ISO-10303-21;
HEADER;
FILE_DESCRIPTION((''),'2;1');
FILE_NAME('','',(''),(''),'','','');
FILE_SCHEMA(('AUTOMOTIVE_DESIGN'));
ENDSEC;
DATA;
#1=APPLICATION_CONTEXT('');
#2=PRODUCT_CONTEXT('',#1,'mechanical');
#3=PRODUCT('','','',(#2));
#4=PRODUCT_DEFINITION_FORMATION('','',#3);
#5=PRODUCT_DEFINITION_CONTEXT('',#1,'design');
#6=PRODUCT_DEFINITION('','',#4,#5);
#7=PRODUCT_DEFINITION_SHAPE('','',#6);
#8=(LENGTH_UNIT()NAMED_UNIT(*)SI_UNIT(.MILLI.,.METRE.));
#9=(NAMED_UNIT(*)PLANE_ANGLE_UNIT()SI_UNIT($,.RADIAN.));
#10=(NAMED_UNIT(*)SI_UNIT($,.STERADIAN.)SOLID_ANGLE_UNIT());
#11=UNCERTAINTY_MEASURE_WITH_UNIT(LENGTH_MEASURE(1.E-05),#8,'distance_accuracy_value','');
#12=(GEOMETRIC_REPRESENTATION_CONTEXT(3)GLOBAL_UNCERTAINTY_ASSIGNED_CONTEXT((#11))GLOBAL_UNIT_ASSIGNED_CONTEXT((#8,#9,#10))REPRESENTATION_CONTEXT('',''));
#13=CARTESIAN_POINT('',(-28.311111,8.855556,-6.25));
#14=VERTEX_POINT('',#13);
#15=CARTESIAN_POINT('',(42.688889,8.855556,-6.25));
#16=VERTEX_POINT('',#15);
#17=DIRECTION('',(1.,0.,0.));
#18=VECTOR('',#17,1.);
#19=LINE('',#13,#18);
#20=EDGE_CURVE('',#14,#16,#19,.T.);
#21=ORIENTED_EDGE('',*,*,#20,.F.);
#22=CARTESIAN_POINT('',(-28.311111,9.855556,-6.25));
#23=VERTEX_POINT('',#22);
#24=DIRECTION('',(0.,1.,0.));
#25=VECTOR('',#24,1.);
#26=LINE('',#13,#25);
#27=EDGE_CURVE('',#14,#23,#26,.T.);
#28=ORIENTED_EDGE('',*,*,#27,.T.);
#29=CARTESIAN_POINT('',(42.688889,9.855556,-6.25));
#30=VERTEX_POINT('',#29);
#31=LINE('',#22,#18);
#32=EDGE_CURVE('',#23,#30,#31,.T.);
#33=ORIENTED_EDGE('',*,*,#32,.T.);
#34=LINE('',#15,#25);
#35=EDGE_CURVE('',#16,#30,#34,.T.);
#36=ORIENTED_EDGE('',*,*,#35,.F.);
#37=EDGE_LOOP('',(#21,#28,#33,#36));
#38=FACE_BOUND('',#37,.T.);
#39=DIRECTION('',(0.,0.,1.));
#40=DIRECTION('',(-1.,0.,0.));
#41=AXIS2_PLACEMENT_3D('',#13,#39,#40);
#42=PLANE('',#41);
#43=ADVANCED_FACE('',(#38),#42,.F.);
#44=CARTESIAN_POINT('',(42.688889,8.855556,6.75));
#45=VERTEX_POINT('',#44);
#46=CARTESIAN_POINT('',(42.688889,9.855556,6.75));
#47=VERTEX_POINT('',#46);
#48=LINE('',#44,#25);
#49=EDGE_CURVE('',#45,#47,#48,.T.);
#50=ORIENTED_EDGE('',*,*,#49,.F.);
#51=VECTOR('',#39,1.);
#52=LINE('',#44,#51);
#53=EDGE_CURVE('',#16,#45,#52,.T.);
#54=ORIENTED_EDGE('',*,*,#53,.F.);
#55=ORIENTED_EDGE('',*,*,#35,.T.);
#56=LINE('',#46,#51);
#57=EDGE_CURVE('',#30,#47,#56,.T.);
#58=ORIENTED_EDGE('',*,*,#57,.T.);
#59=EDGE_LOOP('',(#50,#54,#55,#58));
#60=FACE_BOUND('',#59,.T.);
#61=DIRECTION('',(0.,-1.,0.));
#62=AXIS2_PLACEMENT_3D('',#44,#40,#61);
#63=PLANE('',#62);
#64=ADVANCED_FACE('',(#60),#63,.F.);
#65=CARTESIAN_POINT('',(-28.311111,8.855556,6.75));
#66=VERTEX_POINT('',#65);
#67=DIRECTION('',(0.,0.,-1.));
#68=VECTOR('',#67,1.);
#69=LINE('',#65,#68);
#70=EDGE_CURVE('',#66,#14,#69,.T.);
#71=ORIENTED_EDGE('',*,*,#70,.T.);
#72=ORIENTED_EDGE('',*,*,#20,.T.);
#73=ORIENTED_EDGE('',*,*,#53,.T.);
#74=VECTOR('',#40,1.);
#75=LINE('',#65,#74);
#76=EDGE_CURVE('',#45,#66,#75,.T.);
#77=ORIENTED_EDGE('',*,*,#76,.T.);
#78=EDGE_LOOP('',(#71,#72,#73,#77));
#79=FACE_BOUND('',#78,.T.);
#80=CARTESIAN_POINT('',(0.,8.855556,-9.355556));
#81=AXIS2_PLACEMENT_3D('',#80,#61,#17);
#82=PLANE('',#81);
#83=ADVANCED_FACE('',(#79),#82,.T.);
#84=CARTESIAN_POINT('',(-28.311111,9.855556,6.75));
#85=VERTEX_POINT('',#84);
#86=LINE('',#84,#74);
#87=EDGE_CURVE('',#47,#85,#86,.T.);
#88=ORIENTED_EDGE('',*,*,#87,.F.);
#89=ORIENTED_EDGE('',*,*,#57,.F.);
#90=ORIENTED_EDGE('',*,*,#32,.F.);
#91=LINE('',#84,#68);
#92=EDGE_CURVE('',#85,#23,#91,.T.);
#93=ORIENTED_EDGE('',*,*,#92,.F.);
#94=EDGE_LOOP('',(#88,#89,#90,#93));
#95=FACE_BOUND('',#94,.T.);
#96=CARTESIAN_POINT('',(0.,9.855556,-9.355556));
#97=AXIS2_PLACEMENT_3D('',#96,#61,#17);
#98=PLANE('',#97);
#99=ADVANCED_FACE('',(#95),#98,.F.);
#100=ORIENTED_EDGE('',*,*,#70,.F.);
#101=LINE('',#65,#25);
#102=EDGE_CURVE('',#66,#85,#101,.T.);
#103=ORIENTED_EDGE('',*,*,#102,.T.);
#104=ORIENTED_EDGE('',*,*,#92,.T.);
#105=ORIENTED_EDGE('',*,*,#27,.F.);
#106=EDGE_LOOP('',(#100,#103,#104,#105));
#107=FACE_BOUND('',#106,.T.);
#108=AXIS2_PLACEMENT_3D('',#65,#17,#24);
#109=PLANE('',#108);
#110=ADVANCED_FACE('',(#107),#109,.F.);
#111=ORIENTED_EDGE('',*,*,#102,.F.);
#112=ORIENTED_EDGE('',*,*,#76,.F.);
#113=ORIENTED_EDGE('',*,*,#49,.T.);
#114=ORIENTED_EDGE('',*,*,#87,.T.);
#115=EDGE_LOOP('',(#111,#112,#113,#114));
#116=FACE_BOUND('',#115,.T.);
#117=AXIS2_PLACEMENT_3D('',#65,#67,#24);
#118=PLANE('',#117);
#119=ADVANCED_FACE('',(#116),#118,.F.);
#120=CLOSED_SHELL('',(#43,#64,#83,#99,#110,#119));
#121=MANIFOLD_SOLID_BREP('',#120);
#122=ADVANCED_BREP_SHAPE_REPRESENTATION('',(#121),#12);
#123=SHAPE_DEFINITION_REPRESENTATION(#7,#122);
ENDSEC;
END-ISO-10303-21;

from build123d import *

# Parameters (mm, degrees)
SKETCH1_W             = 71
SKETCH1_H             = 13
BOSS_EXTRUDE1_DEPTH   = 1
BODY_MOVE_COPY1_ANGLE = 90


with BuildPart() as part:
    # Sketch1 → Boss-Extrude1 (new body)
    with BuildSketch(Plane.XY):
        with Locations((7.188888889, 9.605555556)):
            Rectangle(SKETCH1_W, SKETCH1_H)
    extrude(amount=BOSS_EXTRUDE1_DEPTH)


with BuildPart() as part_1:
    # Body-Move/Copy1: moved
    add(part.part.rotate(Axis((0, 9.605555556, 0.25), (1, 0, 0)), BODY_MOVE_COPY1_ANGLE))


solid = part_1.part
